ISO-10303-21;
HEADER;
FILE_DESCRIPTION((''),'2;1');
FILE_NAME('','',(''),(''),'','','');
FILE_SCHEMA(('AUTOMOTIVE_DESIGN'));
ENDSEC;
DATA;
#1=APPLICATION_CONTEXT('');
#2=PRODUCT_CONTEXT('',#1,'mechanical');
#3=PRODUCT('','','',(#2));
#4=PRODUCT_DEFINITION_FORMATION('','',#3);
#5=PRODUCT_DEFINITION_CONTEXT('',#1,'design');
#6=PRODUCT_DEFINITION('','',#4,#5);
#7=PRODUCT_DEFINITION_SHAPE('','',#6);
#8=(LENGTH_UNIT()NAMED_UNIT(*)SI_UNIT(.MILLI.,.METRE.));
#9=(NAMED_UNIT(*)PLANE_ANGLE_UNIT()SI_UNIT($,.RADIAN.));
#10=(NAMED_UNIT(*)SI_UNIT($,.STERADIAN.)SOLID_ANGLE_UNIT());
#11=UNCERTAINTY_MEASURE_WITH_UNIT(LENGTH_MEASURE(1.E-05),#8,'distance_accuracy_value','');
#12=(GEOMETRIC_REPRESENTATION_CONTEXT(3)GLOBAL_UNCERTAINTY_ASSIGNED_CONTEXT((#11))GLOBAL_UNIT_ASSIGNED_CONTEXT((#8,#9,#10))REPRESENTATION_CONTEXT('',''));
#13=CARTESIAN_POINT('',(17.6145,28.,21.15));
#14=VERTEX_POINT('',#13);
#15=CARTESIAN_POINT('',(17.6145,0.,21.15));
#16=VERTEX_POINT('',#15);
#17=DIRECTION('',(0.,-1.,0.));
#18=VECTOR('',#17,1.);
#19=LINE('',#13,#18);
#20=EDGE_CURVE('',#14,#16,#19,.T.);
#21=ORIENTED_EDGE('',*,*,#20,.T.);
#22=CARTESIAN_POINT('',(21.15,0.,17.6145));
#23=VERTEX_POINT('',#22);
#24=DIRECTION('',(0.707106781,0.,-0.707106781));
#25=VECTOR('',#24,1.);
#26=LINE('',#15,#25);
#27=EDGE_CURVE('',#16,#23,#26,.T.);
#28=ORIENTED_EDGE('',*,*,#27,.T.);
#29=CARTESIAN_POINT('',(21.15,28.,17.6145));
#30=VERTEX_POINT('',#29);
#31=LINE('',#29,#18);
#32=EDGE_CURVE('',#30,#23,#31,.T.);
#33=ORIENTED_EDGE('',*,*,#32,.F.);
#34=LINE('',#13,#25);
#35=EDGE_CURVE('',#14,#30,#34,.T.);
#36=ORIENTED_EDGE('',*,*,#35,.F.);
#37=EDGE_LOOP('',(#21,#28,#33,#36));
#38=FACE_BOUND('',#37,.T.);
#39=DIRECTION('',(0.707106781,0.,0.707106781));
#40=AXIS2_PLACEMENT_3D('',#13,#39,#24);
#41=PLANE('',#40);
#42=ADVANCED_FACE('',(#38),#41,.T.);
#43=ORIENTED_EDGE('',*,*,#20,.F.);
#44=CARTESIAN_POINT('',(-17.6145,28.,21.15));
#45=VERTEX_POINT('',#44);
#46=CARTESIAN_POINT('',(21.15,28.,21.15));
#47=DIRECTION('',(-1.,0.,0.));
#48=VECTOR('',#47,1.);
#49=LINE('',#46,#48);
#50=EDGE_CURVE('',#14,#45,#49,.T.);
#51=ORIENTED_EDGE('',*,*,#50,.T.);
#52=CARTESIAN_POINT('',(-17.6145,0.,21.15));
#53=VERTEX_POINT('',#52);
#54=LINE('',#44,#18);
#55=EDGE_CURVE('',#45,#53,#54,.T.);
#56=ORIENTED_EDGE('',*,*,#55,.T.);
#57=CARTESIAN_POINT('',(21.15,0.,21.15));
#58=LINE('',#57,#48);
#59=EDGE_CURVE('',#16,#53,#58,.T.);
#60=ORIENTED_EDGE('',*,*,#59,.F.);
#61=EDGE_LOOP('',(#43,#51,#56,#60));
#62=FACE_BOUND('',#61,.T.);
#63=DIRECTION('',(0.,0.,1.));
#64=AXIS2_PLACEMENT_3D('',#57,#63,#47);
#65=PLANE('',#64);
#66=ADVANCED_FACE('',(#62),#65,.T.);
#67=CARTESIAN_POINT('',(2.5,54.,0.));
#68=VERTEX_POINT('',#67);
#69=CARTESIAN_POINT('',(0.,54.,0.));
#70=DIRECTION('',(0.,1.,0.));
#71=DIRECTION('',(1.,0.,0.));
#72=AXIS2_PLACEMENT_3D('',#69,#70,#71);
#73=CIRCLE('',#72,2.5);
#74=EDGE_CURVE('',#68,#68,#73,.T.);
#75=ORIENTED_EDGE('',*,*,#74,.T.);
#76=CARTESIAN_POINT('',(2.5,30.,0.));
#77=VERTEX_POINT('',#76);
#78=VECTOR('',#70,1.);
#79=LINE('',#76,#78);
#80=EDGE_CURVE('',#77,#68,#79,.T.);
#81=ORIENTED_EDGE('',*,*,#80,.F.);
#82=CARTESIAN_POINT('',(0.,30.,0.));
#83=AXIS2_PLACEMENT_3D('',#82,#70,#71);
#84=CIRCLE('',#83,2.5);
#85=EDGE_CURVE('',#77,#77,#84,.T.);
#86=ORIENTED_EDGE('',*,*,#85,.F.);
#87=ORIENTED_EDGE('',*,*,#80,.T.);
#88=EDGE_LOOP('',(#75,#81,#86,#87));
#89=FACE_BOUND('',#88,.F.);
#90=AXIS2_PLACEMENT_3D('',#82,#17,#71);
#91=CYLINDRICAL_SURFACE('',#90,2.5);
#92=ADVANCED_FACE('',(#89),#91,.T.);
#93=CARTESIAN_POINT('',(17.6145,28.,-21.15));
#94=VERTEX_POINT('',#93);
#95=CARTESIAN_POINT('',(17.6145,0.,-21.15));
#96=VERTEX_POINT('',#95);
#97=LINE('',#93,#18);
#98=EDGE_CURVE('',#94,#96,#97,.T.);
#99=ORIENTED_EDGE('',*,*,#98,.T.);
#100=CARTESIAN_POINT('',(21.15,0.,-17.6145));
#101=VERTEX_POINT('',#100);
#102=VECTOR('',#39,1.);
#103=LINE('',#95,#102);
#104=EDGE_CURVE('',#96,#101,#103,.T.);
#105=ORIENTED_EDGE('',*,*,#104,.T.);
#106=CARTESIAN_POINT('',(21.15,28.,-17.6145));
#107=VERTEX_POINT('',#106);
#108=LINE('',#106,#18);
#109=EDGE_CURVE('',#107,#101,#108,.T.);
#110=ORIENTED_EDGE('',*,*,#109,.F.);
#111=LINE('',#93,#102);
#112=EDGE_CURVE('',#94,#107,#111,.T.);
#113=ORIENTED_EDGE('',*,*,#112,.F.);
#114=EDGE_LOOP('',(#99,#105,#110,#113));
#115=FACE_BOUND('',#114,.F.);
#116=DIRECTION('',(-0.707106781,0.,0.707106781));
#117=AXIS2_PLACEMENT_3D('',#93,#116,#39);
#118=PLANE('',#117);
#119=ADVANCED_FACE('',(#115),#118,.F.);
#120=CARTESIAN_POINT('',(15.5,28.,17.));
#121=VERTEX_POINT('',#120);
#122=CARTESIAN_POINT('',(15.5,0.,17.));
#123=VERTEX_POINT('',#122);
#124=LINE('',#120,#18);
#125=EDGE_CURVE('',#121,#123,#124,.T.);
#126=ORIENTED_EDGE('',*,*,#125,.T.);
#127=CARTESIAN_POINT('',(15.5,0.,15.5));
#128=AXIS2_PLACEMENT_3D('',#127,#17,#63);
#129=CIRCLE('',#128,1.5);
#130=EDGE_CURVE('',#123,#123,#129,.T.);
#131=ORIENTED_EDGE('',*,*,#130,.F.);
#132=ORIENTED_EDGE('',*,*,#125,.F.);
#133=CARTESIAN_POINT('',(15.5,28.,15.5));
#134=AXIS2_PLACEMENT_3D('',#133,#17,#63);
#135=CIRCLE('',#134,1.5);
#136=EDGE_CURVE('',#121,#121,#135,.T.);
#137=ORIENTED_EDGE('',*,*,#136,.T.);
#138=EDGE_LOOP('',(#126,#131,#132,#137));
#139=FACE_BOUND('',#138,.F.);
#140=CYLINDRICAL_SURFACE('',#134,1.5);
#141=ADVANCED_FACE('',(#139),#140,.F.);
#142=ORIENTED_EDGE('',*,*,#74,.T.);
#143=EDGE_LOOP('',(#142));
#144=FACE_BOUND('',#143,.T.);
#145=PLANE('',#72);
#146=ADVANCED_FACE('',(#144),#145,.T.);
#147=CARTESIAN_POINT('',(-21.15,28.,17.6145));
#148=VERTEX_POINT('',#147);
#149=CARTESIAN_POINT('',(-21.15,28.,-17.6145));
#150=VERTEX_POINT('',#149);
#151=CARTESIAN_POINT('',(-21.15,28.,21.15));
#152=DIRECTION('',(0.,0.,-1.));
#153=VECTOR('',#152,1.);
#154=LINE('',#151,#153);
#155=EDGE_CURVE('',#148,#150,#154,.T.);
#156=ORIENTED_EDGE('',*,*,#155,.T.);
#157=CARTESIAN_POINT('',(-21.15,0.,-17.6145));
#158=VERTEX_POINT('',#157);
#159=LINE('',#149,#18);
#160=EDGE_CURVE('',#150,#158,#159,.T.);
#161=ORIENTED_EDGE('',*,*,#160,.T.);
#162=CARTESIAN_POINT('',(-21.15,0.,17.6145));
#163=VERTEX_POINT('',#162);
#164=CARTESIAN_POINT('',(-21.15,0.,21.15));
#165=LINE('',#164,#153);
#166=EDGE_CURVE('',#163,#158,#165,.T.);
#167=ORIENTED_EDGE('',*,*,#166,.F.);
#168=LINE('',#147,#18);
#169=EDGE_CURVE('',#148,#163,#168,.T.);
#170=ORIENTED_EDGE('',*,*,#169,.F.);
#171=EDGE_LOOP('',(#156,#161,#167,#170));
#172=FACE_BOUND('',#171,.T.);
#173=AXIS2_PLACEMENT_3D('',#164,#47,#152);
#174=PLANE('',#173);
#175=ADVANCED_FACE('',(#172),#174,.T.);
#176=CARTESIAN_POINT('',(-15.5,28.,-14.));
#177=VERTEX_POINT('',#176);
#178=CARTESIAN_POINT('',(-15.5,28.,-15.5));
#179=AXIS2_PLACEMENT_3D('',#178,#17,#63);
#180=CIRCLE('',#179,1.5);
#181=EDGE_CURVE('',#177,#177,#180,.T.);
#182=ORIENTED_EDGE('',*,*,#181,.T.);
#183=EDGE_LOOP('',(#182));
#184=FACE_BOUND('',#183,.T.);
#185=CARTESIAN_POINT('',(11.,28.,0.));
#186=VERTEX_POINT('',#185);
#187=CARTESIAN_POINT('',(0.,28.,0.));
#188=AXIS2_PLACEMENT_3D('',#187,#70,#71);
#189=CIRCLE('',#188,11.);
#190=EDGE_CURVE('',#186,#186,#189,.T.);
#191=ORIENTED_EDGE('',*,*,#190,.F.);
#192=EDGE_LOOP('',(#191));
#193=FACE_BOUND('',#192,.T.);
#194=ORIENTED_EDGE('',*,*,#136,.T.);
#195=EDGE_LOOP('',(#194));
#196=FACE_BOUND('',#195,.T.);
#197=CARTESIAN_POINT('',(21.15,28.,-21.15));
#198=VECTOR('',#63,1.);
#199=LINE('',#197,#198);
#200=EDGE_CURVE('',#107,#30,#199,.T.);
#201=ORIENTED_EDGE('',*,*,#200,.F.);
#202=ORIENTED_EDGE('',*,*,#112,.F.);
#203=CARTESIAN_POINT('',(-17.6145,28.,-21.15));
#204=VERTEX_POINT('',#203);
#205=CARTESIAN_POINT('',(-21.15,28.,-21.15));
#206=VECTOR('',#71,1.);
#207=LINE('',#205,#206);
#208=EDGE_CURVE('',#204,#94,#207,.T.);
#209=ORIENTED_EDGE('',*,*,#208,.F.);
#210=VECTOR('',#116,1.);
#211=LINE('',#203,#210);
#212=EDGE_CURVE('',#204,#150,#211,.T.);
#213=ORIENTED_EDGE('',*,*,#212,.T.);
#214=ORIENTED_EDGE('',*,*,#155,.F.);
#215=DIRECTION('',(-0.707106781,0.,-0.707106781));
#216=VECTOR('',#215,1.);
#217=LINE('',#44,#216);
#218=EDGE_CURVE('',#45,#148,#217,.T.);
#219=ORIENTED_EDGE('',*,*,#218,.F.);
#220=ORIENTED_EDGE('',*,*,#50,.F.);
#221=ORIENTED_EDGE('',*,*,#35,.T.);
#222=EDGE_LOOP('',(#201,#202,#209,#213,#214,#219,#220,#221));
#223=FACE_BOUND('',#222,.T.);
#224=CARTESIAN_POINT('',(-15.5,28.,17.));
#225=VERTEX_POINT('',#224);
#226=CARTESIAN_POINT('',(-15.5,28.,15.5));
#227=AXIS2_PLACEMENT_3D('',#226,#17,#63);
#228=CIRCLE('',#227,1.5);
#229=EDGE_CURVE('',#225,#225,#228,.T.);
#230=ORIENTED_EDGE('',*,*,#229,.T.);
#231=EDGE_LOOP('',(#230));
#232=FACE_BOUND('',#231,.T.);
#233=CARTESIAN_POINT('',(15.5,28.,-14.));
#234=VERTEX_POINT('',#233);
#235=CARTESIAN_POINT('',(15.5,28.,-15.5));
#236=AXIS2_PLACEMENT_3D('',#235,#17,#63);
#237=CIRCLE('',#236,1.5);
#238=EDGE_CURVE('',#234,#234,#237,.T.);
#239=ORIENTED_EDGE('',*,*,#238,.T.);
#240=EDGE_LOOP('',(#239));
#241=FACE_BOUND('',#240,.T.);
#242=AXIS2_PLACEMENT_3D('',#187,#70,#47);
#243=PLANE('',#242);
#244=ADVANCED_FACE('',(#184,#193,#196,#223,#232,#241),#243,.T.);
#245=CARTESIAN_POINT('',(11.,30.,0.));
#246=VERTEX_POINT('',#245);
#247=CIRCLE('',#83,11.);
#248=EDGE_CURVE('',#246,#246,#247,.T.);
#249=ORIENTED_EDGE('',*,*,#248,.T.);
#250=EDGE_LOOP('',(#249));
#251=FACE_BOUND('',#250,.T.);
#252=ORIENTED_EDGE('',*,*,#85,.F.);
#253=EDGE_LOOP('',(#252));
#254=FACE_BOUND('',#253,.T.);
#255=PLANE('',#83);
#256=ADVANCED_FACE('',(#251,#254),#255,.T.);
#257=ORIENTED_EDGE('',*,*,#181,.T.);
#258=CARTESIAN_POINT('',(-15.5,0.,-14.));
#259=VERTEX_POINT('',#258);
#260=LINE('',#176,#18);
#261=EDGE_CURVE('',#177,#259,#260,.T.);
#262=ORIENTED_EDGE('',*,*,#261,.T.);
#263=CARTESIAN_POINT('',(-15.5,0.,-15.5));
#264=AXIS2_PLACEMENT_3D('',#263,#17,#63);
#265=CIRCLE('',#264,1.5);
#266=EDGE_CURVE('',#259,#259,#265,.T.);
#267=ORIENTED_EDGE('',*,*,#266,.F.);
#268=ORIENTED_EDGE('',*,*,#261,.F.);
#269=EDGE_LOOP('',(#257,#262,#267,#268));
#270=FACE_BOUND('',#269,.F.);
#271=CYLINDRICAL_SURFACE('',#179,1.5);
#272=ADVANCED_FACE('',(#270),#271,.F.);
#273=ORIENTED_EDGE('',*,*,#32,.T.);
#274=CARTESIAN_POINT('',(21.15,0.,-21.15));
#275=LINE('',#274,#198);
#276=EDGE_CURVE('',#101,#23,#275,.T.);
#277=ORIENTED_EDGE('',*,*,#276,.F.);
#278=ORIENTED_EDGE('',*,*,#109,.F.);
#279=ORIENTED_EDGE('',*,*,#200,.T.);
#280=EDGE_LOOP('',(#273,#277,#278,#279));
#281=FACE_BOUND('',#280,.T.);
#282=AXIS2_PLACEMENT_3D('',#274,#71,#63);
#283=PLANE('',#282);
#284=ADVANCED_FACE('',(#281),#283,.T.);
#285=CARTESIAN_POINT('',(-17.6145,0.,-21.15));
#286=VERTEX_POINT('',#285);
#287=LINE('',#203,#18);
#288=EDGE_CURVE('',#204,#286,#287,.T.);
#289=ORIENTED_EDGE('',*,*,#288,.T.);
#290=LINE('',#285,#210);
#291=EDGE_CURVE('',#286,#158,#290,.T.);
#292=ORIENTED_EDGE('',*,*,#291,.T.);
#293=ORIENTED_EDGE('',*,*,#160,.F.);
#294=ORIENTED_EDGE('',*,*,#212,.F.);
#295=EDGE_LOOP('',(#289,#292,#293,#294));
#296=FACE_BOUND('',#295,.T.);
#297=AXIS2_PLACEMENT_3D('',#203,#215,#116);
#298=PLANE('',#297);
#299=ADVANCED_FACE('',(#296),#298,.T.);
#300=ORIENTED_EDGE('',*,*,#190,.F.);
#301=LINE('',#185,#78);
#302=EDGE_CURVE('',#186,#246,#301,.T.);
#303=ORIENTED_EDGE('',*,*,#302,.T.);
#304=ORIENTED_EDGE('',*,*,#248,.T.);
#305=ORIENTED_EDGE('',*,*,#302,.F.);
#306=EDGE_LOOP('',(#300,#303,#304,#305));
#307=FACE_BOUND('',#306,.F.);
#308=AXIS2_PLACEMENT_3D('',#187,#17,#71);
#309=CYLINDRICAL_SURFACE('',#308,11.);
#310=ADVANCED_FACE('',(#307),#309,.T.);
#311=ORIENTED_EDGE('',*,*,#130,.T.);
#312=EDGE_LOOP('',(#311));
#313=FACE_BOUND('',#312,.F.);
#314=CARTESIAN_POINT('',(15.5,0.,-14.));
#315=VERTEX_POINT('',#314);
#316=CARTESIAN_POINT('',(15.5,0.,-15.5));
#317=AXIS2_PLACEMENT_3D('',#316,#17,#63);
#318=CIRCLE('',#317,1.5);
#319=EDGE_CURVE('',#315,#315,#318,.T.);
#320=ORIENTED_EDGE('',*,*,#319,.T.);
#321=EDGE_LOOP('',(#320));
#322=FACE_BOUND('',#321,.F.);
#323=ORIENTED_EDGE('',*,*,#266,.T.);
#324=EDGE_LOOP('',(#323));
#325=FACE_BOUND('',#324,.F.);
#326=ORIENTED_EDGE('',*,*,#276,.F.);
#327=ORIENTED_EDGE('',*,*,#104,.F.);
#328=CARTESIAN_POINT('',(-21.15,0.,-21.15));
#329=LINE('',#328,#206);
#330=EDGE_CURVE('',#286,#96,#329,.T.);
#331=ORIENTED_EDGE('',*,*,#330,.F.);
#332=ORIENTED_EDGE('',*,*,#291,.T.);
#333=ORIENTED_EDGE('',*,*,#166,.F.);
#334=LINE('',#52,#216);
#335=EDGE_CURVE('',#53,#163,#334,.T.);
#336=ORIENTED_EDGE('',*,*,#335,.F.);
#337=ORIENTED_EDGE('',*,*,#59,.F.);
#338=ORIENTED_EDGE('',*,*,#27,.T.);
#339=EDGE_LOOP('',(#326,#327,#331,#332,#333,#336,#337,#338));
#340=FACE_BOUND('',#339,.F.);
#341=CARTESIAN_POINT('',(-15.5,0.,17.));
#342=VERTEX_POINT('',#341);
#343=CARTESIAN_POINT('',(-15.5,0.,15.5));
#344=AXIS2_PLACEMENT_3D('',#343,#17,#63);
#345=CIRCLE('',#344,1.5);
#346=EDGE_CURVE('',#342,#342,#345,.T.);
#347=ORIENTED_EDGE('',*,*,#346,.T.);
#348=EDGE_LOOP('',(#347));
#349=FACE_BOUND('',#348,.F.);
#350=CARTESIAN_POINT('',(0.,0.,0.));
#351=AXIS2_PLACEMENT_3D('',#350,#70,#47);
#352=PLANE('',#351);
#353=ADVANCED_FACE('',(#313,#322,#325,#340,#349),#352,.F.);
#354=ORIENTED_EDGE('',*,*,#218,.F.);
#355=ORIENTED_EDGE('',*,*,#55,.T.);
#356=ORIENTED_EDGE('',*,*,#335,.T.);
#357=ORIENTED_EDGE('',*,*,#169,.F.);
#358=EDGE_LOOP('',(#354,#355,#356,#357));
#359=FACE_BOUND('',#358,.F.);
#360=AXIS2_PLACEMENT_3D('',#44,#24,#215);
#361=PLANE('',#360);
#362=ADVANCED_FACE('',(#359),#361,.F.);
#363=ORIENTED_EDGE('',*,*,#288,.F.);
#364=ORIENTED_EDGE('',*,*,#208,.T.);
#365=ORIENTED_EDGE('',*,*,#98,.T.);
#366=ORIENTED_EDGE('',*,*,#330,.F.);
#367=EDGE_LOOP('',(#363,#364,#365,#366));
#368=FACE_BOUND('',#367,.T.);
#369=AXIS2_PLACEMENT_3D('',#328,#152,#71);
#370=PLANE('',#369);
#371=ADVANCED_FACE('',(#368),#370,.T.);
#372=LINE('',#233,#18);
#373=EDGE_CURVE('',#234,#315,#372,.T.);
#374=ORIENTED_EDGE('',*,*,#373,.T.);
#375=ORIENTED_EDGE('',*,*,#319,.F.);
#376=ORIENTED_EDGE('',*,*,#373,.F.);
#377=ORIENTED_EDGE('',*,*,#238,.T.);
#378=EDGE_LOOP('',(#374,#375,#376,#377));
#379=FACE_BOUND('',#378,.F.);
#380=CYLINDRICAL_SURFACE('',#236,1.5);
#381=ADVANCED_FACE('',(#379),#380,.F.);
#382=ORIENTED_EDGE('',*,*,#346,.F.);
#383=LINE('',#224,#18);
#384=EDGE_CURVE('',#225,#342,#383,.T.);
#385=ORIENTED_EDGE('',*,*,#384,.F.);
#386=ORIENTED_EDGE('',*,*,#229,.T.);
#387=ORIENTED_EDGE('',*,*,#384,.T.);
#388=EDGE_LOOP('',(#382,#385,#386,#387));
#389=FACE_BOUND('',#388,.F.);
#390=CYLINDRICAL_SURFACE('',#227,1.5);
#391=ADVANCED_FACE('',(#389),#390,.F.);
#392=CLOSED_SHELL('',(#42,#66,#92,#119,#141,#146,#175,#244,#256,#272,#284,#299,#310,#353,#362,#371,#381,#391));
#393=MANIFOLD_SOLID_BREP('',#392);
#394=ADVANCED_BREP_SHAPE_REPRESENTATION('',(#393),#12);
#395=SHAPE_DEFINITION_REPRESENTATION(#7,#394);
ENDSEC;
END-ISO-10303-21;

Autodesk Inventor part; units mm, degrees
ref_plane "YZ Plane" through (0, 0, 0) normal (1, 0, 0) x (0, 1, 0)
ref_plane "XZ Plane" through (0, 0, 0) normal (0, 1, 0) x (-1, 0, 0)
ref_plane "XY Plane" through (0, 0, 0) normal (0, 0, 1) x (1, 0, 0)
sketch "Sketch2" plane through (0, 0, 0) normal (0, 1, 0) x (-1, 0, 0)
  line L0 (-21.15, 21.15) -> (21.15, 21.15)
  line L1 (21.15, 21.15) -> (21.15, -21.15)
  line L2 (21.15, -21.15) -> (-21.15, -21.15)
  line L3 (-21.15, -21.15) -> (-21.15, 21.15)
  line L4 (-21.15, 21.15) -> (21.15, -21.15) construction
  line L5 (21.15, 21.15) -> (-21.15, -21.15) construction
  point P0 (0, 0)
  dimension "d0" = 42.3
  dimension "d1" = 42.3
extrude "Extrusion1" add sketch "Sketch2" along normal blind 28
sketch "Sketch3" plane through (0, 28, 0) normal (0, 1, 0) x (1, 0, 0)
  circle A0 centre (0, 0) radius 11
  dimension "d4" = 22
extrude "Extrusion2" add sketch "Sketch3" along normal blind 2
sketch "Sketch4" plane through (0, 28, 0) normal (0, 1, 0) x (1, 0, 0)
  line L0 (-24.8242, 0) -> (26.7617, 0) construction
  line L1 (0, -32.5742) -> (0, 40.8086) construction
  point P0 (0, 0)
  point P1 (-15.5, -15.5)
  point P2 (-15.5, 15.5)
  point P3 (15.5, -15.5)
  point P4 (15.5, 15.5)
  dimension "d7" = 15.5
  dimension "d8" = 15.5
  dimension "d9" = 0
  dimension "d10" = 0
  dimension "d11" = 26.7617
  dimension "d12" = 40.8086
  dimension "d13" = 32.5742
  dimension "d14" = 24.8242
hole "Hole1" at (-15.5, 28, 15.5) at (-15.5, 28, -15.5) at (15.5, 28, 15.5) at (15.5, 28, -15.5) direction (0, -1, 0) diameter 3 end through all
sketch "Sketch5" plane through (0, 30, 0) normal (0, 1, 0) x (1, 0, 0)
  circle A0 centre (0, 0) radius 2.5
  dimension "d22" = 5
extrude "Extrusion3" add sketch "Sketch5" along normal blind 24
sketch "Sketch6" plane through (0, 28, 0) normal (0, 1, 0) x (1, 0, 0)
  line L0 (-21.15, -21.15) -> (21.15, -21.15) construction
  line L1 (-21.15, 21.15) -> (-21.15, -21.15) construction
  line L2 (21.15, -21.15) -> (21.15, 21.15) construction
  line L3 (21.15, 21.15) -> (-21.15, 21.15) construction
  line L4 (-17.6145, -21.15) -> (-21.15, -17.6145)
  line L5 (-24, 0) -> (25, 0) construction
  line L6 (0, -28) -> (0, 33.5057) construction
  line L7 (-17.6145, 21.15) -> (-21.15, 17.6145)
  line L8 (17.6145, -21.15) -> (21.15, -17.6145)
  line L9 (17.6145, 21.15) -> (21.15, 17.6145)
  line L10 (-17.6145, -21.15) -> (-21.15, -21.15)
  line L11 (-21.15, -21.15) -> (-21.15, -17.6145)
  line L12 (-21.15, -21.15) -> (-21.15, 21.15) projected
  line L13 (-21.15, 21.15) -> (21.15, 21.15) projected
  line L14 (-17.6145, 21.15) -> (-21.15, 21.15)
  line L15 (-21.15, 21.15) -> (-21.15, 17.6145)
  line L16 (21.15, 21.15) -> (21.15, -21.15) construction
  line L17 (21.15, 17.6145) -> (21.15, 21.15)
  line L18 (21.15, 21.15) -> (17.6145, 21.15)
  line L19 (21.15, -21.15) -> (-21.15, -21.15) projected
  line L20 (17.6145, -21.15) -> (21.15, -21.15)
  line L21 (21.15, -21.15) -> (21.15, -17.6145)
  point P0 (0, 0)
  dimension "d25" = 5
  dimension "d33" = 3.5355
  dimension "d34" = 3.5355
  dimension "d35" = 3.5355
extrude "Extrusion4" cut sketch "Sketch6" against normal up to surface (28 mm away)
equation "\"d33\" = d34"
properties part number "Motor" material "Aluminum 6061"
